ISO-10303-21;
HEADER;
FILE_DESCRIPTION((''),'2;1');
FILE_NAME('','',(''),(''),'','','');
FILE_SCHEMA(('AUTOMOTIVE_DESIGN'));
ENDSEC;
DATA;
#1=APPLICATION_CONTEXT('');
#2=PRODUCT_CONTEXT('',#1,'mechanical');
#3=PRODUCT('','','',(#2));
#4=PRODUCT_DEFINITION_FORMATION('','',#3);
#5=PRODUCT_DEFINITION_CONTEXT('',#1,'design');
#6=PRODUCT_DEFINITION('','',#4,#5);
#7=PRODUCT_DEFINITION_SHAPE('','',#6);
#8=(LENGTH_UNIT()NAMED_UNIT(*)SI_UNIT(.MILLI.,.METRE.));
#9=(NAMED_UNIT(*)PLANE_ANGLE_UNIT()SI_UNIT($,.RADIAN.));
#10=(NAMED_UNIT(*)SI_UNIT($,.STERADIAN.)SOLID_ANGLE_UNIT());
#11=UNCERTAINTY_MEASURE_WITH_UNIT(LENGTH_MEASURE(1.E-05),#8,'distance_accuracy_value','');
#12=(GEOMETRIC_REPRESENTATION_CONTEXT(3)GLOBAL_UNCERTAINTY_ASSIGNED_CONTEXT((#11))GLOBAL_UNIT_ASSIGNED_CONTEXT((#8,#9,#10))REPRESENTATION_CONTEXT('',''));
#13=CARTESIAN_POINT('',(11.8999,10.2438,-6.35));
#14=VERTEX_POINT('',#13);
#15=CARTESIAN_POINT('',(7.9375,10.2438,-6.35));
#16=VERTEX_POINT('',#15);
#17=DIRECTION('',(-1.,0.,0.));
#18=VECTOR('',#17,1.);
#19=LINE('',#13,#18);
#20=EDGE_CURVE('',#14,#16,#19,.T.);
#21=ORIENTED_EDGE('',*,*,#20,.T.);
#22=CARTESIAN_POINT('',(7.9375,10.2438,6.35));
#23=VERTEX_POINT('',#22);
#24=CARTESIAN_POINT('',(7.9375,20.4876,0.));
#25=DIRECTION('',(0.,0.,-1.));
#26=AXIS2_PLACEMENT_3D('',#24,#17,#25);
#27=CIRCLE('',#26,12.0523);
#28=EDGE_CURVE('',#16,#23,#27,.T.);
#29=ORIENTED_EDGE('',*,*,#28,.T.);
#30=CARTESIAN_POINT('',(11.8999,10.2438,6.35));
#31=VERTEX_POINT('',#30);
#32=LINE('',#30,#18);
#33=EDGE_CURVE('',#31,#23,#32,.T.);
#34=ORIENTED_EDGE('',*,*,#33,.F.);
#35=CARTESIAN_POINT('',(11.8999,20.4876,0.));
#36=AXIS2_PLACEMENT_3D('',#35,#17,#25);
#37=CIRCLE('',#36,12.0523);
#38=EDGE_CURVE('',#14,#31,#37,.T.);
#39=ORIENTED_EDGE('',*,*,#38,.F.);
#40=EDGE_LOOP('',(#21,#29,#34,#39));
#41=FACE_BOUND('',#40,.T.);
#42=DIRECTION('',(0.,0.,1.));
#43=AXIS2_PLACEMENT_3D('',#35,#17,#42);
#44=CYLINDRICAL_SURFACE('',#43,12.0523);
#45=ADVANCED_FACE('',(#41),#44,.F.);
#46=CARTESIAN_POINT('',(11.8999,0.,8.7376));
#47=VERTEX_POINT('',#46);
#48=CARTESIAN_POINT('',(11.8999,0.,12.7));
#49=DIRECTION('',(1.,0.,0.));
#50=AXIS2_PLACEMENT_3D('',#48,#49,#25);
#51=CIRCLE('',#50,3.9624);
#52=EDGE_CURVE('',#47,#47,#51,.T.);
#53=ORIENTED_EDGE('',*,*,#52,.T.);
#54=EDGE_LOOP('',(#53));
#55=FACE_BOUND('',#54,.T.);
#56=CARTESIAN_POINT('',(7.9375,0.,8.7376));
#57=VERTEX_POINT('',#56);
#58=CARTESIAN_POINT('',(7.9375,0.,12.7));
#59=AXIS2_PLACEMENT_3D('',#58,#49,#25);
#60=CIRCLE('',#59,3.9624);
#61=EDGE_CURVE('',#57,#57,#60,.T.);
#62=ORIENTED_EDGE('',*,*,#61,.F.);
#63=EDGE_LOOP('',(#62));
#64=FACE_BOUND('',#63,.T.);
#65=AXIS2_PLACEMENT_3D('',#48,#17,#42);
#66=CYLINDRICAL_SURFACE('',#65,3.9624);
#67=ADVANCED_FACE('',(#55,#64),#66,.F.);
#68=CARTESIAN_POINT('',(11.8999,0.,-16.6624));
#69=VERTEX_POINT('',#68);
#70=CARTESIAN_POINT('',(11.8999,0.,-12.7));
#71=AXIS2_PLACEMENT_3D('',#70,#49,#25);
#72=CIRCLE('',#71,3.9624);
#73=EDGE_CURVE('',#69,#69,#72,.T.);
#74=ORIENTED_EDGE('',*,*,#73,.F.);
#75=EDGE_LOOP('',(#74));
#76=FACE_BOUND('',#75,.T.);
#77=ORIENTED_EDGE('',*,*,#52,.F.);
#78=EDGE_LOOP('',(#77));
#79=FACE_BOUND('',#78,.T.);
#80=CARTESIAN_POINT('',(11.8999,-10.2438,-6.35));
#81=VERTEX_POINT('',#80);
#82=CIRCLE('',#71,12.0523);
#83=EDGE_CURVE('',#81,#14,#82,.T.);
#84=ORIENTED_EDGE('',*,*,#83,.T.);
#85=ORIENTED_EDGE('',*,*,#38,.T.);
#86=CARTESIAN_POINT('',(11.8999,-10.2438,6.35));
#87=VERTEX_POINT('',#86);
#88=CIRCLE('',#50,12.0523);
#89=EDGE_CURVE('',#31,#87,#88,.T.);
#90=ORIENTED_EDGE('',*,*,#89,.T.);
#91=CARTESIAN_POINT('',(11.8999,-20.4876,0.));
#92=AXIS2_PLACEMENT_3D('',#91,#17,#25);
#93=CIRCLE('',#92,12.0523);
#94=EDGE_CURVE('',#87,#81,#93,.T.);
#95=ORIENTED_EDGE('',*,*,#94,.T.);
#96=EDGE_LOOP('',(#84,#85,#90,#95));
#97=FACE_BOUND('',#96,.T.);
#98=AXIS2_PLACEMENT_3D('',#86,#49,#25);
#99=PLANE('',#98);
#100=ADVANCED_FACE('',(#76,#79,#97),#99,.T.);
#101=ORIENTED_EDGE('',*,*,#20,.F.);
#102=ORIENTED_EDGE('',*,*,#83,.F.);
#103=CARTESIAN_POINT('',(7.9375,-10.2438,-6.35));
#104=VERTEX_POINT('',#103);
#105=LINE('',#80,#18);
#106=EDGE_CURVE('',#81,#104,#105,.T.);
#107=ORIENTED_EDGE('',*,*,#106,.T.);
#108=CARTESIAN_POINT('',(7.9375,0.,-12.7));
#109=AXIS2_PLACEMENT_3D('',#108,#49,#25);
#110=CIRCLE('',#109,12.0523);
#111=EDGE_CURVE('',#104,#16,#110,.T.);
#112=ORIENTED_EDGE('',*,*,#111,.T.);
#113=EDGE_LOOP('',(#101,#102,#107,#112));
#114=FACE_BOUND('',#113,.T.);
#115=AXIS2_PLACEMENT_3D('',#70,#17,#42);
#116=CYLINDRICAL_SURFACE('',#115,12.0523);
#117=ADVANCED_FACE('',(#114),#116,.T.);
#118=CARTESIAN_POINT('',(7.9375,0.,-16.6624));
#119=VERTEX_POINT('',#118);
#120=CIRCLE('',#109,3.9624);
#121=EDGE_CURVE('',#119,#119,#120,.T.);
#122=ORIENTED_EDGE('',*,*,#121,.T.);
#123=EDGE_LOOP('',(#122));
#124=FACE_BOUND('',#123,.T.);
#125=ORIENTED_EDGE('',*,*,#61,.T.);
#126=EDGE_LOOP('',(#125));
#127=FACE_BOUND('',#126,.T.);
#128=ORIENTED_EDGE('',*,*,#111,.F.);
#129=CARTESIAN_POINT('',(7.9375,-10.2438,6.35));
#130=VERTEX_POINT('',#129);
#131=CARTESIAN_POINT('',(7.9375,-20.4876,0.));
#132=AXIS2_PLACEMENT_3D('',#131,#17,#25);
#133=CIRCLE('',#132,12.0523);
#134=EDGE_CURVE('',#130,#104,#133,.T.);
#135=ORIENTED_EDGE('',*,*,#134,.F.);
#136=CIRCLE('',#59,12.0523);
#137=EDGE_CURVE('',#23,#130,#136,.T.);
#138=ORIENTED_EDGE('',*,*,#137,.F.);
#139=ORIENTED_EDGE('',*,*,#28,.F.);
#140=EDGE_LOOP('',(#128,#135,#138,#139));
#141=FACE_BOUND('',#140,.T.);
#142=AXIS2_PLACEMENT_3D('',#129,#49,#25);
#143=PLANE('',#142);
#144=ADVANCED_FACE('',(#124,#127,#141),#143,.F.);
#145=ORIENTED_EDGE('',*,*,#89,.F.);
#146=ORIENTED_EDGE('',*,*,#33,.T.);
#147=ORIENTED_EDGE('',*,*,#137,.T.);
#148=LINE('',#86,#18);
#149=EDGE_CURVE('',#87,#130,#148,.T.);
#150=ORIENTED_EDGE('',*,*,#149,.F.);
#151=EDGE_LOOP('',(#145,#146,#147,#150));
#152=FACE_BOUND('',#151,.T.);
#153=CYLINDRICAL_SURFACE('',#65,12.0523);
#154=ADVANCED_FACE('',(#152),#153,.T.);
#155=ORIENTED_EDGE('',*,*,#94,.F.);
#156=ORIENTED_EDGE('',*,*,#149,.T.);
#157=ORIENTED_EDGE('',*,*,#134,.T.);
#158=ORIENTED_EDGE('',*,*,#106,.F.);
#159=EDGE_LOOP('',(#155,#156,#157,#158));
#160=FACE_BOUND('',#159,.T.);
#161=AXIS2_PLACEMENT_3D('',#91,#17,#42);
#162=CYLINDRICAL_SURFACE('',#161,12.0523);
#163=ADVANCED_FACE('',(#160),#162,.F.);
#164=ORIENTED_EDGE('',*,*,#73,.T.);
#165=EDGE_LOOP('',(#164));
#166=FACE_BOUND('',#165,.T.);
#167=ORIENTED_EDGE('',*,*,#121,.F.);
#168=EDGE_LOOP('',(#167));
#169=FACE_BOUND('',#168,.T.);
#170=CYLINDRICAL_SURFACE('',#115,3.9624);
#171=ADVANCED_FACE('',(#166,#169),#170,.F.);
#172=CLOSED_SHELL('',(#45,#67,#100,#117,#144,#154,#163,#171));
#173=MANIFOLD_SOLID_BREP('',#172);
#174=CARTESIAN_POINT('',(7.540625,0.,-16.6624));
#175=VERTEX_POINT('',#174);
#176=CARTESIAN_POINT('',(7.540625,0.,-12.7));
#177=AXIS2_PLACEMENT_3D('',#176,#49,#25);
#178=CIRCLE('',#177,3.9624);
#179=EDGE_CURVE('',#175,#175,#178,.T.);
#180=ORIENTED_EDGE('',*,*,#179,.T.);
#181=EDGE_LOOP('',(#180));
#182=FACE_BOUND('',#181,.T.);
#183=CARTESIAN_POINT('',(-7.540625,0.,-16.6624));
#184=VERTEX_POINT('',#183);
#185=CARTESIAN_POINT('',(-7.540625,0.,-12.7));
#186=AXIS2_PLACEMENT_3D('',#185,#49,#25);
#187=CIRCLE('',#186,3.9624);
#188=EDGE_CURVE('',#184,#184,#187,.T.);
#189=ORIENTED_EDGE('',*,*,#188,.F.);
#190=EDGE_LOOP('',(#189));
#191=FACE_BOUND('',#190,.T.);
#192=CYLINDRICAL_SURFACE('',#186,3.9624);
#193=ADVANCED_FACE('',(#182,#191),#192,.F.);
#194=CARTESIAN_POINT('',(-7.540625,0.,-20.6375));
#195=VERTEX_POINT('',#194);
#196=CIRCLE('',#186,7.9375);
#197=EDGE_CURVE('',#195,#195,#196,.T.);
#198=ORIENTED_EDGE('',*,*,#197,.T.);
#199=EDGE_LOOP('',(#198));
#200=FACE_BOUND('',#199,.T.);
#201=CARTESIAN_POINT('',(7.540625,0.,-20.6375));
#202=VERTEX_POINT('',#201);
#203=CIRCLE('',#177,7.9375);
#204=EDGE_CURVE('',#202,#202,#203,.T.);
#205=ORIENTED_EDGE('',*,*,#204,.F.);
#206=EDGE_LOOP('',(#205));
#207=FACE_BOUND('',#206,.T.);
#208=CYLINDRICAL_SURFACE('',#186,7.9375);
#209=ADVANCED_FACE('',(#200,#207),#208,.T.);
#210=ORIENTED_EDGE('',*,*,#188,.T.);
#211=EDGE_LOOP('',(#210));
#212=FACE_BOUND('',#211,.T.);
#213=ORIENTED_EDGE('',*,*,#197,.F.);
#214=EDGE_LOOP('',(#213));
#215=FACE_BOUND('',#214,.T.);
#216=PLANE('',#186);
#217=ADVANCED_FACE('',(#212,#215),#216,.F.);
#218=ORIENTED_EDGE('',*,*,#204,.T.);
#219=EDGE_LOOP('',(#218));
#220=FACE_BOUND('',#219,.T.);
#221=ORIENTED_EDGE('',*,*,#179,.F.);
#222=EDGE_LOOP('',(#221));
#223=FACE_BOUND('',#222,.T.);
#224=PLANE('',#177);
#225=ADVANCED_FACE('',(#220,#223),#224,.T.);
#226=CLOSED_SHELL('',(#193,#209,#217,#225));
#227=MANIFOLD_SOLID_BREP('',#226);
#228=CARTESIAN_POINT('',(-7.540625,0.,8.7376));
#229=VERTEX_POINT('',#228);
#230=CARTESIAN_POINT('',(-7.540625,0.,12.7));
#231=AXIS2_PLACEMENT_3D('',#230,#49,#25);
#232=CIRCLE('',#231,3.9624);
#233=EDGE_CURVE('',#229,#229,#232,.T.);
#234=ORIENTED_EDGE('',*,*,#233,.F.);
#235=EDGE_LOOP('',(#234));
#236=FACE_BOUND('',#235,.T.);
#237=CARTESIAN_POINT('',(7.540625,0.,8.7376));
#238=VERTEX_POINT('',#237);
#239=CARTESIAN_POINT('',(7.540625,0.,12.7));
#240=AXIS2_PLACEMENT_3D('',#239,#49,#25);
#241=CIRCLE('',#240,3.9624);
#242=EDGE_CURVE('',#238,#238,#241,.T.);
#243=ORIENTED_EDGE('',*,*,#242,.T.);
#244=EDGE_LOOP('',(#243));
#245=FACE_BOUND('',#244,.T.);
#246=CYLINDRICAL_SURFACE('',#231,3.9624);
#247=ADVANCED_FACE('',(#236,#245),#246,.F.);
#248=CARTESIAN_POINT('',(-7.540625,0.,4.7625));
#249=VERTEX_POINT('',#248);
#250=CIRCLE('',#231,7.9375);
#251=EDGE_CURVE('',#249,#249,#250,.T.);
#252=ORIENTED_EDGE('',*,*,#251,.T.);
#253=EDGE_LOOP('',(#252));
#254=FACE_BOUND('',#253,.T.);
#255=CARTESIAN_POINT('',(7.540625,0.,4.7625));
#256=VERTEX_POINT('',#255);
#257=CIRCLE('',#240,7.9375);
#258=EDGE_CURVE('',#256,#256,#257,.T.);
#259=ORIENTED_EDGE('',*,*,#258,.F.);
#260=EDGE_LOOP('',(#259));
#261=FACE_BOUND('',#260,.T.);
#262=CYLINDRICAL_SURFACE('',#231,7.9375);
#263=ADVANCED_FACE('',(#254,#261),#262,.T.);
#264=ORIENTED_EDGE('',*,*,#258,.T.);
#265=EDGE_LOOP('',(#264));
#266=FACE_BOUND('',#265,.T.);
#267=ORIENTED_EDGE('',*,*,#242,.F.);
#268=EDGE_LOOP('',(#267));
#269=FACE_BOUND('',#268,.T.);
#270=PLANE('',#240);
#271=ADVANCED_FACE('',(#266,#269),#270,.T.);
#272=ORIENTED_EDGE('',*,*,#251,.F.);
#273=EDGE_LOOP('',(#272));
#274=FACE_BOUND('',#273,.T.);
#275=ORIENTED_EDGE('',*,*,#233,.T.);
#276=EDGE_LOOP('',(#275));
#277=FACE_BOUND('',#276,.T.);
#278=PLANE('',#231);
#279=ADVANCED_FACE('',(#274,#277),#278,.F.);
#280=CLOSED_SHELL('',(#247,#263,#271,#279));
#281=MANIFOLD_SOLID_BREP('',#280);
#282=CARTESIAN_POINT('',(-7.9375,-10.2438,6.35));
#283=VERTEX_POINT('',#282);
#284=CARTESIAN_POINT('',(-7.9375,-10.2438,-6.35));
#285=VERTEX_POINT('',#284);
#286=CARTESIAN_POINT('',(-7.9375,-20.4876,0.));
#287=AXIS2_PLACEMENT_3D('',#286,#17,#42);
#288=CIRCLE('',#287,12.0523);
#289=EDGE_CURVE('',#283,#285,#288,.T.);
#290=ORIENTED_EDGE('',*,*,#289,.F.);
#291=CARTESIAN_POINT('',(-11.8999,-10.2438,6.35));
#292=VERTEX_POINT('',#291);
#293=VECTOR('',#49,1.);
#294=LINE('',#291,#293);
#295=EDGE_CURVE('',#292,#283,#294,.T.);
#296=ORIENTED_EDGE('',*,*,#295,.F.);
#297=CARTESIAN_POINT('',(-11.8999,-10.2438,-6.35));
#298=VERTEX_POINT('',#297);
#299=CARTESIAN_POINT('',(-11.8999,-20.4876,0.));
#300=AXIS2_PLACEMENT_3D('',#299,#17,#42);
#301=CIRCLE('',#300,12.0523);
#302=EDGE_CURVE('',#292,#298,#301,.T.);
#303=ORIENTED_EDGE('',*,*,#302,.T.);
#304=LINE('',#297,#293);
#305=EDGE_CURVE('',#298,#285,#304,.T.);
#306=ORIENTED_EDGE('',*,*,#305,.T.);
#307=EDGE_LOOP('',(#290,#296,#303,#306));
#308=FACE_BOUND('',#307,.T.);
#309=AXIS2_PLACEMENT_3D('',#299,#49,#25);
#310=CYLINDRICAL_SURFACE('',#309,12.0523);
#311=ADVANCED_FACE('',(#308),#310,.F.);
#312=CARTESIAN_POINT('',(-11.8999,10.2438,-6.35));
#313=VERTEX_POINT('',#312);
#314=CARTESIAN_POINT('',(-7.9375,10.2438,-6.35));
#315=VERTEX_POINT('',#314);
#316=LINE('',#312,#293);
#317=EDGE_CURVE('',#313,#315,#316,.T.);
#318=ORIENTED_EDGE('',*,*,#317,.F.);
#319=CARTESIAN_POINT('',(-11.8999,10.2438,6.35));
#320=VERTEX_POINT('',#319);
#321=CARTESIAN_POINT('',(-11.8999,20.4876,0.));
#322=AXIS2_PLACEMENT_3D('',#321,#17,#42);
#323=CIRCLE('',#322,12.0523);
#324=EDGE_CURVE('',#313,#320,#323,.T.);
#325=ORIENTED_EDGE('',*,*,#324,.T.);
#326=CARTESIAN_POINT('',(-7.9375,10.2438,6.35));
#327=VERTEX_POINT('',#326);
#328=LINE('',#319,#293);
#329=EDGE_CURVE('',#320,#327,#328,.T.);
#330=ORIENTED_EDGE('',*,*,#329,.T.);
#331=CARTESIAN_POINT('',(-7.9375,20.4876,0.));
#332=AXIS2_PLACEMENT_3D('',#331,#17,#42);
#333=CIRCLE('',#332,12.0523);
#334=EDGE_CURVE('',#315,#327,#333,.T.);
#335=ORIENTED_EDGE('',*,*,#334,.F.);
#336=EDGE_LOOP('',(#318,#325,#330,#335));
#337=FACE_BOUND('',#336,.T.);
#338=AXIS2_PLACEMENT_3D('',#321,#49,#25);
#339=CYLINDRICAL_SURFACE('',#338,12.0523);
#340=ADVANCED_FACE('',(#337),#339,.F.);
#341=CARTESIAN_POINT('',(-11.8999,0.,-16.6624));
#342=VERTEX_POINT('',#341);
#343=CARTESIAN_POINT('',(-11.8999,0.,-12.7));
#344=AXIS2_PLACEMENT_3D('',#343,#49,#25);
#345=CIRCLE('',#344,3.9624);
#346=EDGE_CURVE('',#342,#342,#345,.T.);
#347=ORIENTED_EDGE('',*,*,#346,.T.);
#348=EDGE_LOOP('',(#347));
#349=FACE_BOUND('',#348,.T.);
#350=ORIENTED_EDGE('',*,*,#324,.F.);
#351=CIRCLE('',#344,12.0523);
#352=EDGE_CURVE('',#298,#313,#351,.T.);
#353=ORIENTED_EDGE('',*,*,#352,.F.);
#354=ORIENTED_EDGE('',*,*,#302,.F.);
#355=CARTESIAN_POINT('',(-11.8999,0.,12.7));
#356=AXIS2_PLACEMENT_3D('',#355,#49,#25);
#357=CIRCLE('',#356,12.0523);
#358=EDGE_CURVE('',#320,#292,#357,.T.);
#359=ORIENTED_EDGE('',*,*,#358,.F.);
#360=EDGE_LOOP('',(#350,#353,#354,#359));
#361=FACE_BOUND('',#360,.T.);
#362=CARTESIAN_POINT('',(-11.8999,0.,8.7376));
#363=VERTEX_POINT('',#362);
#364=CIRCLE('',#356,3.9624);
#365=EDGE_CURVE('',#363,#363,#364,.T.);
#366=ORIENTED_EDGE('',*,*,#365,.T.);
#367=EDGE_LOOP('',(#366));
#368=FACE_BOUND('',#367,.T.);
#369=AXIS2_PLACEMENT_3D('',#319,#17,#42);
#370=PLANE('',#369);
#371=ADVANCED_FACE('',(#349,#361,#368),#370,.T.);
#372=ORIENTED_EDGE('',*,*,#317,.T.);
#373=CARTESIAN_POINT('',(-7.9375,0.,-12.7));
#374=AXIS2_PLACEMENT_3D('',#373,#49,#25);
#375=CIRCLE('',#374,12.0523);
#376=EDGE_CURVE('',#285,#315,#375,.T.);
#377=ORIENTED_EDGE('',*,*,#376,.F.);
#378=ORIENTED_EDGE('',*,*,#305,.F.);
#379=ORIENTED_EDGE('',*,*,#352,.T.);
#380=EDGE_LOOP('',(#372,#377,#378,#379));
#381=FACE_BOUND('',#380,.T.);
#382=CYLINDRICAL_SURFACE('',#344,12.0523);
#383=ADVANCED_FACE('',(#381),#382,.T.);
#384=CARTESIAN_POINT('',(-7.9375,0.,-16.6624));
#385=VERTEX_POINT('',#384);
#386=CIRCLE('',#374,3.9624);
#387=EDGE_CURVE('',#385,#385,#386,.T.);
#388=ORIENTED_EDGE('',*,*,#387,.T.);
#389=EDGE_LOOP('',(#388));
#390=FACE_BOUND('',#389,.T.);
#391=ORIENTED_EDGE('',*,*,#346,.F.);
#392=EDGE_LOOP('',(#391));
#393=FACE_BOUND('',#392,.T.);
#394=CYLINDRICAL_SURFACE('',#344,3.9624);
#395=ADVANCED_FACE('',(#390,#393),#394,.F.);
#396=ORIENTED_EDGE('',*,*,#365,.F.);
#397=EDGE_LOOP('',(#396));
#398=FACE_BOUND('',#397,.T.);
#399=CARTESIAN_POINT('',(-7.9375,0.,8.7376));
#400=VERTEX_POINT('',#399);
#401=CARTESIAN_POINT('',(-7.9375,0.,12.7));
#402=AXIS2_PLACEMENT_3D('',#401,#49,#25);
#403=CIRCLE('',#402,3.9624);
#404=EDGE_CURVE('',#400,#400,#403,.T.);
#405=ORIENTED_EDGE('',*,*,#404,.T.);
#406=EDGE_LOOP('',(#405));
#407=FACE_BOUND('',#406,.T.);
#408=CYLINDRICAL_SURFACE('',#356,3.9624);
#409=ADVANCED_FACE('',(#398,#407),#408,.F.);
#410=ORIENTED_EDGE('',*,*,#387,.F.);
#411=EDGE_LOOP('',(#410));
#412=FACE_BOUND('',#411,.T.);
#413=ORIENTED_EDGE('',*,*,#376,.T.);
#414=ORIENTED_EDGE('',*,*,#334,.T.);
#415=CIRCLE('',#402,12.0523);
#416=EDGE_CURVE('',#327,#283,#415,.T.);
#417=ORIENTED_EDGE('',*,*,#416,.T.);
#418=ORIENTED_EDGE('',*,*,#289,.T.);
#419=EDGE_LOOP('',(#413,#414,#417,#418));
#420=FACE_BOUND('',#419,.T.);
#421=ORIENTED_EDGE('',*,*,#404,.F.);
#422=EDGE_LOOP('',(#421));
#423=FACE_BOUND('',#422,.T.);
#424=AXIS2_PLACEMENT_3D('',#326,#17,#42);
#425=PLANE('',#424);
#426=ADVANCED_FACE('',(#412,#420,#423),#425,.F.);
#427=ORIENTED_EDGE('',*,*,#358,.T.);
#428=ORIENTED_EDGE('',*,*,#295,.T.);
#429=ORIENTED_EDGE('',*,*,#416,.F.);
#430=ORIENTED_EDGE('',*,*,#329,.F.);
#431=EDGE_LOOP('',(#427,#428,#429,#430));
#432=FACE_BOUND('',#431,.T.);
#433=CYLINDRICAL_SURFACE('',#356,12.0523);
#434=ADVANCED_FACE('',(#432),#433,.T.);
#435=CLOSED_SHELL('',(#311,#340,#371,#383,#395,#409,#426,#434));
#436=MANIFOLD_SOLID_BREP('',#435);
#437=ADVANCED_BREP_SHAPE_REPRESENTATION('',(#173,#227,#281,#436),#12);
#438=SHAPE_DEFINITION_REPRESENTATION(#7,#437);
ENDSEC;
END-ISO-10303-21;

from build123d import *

# Parameters (mm, degrees)
BACK_LINK_SKETCH_R          = 3.9624
BACK_LINK_EXTRUDE_DEPTH     = 3.9624
FRONT_LINK_SKETCH_R         = 3.9624
FRONT_LINK_EXTRUDE_DEPTH    = 3.9624
ROLLER_SKETCH_R             = 7.9375
ROLLER_SKETCH_R_2           = 3.9624
ROLLER_EXTRUDE_DEPTH        = 7.540625
ROLLER_EXTRUDE_DEPTH_BACK   = 7.540625
ROLLER_EXTRUDE_2_DEPTH      = 7.540625
ROLLER_EXTRUDE_2_DEPTH_BACK = 7.540625


with BuildPart() as part:
    # Back Link Sketch → Back Link Extrude (new body)
    with BuildSketch(Plane(origin=(-7.9375, 0, 0), x_dir=(0, 0, -1), z_dir=(1, 0, 0))):
        with BuildLine():
            ThreePointArc((-6.35, 10.243799846), (-24.7523, 0), (-6.35, -10.243799846))
            ThreePointArc((-6.35, -10.243799846), (0, -8.435299692), (6.35, -10.243799846))
            ThreePointArc((6.35, -10.243799846), (24.7523, 0), (6.35, 10.243799846))
            ThreePointArc((6.35, 10.243799846), (0, 8.435299692), (-6.35, 10.243799846))
        make_face()
        with Locations((-12.7, 0)):
            Circle(BACK_LINK_SKETCH_R, mode=Mode.SUBTRACT)
        with Locations((12.7, 0)):
            Circle(BACK_LINK_SKETCH_R, mode=Mode.SUBTRACT)
    extrude(amount=-BACK_LINK_EXTRUDE_DEPTH)


with BuildPart() as body_2:
    # Front Link Sketch → Front Link Extrude (new body)
    with BuildSketch(Plane(origin=(7.9375, 0, 0), x_dir=(0, 0, -1), z_dir=(1, 0, 0))):
        with BuildLine():
            ThreePointArc((-6.35, 10.243799846), (0, 8.435299692), (6.35, 10.243799846))
            ThreePointArc((6.35, 10.243799846), (24.7523, 0), (6.35, -10.243799846))
            ThreePointArc((6.35, -10.243799846), (0, -8.435299692), (-6.35, -10.243799846))
            ThreePointArc((-6.35, -10.243799846), (-24.7523, 0), (-6.35, 10.243799846))
        make_face()
        with Locations((-12.7, 0)):
            Circle(FRONT_LINK_SKETCH_R, mode=Mode.SUBTRACT)
        with Locations((12.7, 0)):
            Circle(FRONT_LINK_SKETCH_R, mode=Mode.SUBTRACT)
    extrude(amount=FRONT_LINK_EXTRUDE_DEPTH)


with BuildPart() as body_3:
    # Roller Sketch → Roller Extrude (new body, two sides)
    with BuildSketch(Plane(origin=(0, 0, 0), x_dir=(0, 0, -1), z_dir=(1, 0, 0))) as roller_extrude_sk:
        with Locations((12.7, 0)):
            Circle(ROLLER_SKETCH_R)
        with Locations((12.7, 0)):
            Circle(ROLLER_SKETCH_R_2, mode=Mode.SUBTRACT)
    extrude(amount=ROLLER_EXTRUDE_DEPTH)
    extrude(roller_extrude_sk.sketch, amount=-ROLLER_EXTRUDE_DEPTH_BACK)


with BuildPart() as body_4:
    # Roller Sketch → Roller Extrude 2 (new body, two sides)
    with BuildSketch(Plane(origin=(0, 0, 0), x_dir=(0, 0, -1), z_dir=(1, 0, 0))) as roller_extrude_2_sk:
        with Locations((-12.7, 0)):
            Circle(ROLLER_SKETCH_R)
        with Locations((-12.7, 0)):
            Circle(ROLLER_SKETCH_R_2, mode=Mode.SUBTRACT)
    extrude(amount=ROLLER_EXTRUDE_2_DEPTH)
    extrude(roller_extrude_2_sk.sketch, amount=-ROLLER_EXTRUDE_2_DEPTH_BACK)


solid = Compound([part.part, body_2.part, body_3.part, body_4.part])
